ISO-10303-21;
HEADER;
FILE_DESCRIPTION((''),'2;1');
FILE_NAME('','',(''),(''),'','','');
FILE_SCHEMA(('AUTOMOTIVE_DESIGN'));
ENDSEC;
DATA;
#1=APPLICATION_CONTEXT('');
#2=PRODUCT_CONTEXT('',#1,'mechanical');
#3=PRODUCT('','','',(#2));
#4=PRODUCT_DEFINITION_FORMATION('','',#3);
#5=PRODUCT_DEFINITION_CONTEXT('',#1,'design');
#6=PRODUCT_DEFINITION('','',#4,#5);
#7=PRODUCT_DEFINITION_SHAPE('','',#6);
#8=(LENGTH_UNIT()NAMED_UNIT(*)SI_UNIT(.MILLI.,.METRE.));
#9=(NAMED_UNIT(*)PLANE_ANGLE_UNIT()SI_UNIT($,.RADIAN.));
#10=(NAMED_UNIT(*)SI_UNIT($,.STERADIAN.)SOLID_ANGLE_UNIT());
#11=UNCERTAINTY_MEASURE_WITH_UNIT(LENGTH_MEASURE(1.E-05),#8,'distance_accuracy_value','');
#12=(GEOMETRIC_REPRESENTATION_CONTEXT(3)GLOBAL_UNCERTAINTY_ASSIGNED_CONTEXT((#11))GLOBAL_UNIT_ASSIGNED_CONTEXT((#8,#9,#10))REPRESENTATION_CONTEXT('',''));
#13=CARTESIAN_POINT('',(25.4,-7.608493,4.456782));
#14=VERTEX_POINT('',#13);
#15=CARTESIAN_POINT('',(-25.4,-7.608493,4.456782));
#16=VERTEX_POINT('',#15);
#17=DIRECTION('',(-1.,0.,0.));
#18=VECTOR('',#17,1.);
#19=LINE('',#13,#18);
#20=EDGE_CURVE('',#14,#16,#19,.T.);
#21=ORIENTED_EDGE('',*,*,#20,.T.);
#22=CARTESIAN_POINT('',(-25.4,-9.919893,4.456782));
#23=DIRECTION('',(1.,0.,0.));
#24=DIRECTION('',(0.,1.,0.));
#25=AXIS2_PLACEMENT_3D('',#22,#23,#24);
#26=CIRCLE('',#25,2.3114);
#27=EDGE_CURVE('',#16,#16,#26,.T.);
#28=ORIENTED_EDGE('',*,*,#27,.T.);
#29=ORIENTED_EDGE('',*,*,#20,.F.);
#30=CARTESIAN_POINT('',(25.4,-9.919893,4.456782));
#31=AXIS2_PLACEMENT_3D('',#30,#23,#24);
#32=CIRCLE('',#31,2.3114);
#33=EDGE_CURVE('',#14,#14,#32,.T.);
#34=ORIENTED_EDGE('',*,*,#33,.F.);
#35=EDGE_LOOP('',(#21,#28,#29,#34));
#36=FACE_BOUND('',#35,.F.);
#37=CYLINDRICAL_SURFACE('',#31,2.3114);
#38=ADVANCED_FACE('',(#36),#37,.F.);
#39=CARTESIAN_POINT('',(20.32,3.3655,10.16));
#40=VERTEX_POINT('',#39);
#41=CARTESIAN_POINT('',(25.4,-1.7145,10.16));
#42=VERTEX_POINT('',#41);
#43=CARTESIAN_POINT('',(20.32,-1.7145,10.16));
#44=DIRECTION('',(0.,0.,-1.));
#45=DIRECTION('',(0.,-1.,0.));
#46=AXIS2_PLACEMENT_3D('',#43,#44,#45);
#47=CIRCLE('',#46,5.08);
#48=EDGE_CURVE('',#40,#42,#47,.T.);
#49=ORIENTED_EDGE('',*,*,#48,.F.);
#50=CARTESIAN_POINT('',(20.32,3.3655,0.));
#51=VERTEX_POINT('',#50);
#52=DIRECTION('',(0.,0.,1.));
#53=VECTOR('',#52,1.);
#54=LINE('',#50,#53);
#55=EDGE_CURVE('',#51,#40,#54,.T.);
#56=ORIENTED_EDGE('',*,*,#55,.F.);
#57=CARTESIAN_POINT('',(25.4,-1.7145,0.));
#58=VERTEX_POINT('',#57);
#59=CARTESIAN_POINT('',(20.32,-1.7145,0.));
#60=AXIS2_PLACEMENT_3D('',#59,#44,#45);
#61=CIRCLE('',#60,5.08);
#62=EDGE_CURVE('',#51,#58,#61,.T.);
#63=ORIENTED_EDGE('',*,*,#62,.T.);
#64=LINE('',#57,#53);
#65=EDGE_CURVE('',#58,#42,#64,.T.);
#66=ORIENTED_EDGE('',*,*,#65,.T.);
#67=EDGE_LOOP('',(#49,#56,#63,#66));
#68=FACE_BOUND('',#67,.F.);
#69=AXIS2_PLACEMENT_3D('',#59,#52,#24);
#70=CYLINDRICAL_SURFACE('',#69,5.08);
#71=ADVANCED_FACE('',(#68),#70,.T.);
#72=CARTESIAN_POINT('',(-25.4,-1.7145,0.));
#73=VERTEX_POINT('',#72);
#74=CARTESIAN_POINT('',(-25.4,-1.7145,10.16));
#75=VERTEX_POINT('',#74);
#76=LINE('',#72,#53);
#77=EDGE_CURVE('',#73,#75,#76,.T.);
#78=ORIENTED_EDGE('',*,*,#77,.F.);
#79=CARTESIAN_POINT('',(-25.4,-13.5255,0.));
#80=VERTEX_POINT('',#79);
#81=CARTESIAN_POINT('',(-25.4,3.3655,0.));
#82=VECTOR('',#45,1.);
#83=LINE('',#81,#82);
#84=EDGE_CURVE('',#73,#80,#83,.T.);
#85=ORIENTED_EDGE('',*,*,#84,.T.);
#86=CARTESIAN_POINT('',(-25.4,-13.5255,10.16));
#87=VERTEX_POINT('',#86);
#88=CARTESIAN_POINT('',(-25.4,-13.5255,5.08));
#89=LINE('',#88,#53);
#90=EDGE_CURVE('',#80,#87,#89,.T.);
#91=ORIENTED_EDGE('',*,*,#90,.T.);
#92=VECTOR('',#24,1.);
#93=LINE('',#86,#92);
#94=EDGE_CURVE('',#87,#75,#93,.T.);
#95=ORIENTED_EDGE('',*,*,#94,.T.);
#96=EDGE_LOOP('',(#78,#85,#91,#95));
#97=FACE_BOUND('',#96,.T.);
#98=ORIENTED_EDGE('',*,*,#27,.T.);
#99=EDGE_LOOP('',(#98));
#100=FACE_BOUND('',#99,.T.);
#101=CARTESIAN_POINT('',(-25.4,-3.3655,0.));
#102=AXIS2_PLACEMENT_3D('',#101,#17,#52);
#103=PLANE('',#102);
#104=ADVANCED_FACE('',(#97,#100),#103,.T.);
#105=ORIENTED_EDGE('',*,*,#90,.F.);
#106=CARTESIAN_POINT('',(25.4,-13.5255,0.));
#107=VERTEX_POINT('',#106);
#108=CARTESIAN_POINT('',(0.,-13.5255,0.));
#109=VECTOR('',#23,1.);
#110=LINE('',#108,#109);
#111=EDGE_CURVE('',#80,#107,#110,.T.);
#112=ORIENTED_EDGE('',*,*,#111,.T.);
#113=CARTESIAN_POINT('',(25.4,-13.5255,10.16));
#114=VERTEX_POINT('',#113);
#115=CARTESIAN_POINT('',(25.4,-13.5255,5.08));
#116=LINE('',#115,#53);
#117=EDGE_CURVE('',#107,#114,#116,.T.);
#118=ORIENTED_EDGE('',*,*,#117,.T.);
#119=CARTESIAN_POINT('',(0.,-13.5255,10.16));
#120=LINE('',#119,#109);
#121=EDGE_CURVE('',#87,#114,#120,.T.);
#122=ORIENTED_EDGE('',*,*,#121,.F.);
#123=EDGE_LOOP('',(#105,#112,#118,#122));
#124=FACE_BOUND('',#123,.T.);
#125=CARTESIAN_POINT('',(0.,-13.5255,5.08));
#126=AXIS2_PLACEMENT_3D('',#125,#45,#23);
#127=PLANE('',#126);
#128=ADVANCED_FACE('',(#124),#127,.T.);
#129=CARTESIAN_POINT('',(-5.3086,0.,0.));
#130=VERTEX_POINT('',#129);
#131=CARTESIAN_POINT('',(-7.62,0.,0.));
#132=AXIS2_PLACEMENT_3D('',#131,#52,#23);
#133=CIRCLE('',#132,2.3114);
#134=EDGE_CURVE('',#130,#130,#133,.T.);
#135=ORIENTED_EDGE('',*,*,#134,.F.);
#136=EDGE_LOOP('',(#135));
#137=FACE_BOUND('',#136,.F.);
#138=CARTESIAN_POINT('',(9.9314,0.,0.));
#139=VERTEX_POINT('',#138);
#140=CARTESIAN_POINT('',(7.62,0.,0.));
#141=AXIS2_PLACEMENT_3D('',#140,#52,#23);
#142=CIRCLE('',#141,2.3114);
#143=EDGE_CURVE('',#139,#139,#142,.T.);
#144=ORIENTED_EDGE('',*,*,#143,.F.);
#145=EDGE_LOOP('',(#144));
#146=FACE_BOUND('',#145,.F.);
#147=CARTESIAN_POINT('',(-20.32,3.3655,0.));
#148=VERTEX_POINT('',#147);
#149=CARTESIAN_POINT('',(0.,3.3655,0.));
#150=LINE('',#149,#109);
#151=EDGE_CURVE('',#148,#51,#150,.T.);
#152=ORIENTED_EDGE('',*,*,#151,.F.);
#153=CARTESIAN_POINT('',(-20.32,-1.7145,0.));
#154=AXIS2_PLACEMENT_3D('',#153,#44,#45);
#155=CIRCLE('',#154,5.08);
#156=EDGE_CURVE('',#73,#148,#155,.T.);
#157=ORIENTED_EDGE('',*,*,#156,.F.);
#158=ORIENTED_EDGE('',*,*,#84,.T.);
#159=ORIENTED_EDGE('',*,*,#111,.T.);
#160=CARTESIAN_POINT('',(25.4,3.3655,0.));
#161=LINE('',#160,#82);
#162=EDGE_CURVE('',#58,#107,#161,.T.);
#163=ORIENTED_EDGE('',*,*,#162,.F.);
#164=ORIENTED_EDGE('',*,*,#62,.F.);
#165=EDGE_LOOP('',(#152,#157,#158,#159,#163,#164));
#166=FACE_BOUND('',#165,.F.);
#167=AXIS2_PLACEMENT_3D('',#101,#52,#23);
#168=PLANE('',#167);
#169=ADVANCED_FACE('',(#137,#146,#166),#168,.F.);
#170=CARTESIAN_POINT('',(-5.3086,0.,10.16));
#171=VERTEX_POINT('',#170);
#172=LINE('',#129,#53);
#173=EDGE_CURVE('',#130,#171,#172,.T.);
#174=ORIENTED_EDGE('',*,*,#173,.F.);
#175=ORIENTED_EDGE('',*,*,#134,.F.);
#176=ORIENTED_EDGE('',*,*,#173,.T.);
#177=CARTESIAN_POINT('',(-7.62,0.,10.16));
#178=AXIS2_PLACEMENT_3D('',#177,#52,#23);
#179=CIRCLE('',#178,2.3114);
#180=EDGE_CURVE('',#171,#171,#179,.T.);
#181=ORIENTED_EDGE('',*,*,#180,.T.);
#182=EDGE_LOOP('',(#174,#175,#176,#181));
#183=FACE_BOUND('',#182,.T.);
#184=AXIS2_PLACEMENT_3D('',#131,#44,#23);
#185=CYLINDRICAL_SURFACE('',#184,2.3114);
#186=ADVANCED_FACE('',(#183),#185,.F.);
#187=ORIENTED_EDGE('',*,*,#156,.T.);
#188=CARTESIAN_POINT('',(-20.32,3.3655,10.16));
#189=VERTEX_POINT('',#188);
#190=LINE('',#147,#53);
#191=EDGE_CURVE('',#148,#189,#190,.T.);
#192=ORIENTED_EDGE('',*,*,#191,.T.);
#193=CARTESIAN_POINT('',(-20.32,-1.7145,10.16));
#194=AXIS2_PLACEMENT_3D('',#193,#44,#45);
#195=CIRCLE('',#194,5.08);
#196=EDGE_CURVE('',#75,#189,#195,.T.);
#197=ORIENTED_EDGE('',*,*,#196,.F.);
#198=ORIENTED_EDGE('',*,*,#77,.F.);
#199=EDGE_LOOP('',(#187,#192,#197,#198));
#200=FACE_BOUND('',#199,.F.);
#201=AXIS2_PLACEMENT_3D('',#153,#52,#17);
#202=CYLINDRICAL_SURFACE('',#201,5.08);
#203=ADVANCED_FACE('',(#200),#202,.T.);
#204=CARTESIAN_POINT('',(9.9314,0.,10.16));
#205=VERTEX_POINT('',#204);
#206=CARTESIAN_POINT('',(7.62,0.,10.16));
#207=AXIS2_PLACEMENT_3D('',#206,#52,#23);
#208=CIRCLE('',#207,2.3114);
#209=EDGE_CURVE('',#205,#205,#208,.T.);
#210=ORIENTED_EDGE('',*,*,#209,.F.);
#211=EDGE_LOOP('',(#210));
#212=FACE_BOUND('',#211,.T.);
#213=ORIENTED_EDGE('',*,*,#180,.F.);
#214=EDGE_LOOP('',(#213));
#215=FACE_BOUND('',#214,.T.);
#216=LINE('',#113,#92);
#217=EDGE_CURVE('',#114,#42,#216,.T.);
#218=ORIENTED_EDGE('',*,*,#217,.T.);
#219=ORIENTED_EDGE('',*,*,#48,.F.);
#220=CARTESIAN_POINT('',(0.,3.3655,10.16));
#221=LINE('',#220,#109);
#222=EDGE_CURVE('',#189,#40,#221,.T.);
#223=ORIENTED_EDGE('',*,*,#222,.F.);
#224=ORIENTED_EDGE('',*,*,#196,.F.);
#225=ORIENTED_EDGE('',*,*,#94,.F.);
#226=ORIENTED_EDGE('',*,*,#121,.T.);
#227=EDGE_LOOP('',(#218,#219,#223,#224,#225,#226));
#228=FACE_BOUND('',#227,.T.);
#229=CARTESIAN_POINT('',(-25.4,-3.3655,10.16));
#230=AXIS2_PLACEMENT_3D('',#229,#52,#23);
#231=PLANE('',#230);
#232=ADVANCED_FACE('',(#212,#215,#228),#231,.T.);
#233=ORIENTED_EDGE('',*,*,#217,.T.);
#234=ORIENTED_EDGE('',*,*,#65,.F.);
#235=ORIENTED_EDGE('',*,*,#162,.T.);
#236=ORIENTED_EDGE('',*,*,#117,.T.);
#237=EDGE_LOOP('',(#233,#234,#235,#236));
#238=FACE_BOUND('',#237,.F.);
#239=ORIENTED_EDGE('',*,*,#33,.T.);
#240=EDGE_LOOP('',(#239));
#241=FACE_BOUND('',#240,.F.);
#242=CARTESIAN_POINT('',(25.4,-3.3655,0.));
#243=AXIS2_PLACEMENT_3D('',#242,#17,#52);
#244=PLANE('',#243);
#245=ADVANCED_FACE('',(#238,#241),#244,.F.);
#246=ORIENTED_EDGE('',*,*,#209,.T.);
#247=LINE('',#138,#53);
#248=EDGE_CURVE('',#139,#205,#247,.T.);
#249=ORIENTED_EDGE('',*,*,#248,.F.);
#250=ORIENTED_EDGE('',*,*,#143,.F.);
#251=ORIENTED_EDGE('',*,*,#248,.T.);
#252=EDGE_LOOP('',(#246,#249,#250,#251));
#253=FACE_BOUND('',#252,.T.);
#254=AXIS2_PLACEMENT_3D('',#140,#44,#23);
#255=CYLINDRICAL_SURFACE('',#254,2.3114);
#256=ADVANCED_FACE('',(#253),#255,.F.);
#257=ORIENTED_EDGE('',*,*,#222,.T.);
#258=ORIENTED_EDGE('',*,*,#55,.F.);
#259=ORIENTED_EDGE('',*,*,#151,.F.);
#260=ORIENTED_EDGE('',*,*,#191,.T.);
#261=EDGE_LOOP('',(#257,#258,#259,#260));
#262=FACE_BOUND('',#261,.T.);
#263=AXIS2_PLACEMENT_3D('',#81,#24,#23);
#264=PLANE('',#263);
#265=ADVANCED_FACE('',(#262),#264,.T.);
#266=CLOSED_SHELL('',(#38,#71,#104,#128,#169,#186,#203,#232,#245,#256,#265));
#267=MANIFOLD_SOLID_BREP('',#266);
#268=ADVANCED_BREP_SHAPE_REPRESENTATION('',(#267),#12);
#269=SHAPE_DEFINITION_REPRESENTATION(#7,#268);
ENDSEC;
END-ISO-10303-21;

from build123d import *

# Parameters (mm, degrees)
F0_W     = 50.8
F0_H     = 6.731
F0_R     = 2.3114
F1_DEPTH = 10.16
F3_W     = 50.8
F3_H     = 10.16
F4_DEPTH = 10.16
F5_R     = 2.3114
F6_DEPTH = 70.36535
F7_R     = 5.08


with BuildPart() as f1:
    # F0 (on Top) → F1 (new body)
    with BuildSketch(Plane.XY):
        Rectangle(F0_W, F0_H)
        with Locations((-7.62, 0)):
            Circle(F0_R, mode=Mode.SUBTRACT)
        with Locations((7.62, 0)):
            Circle(F0_R, mode=Mode.SUBTRACT)
    extrude(amount=F1_DEPTH)

    # F3 (on face) → F4 (join)
    with BuildSketch(Plane.XZ.offset(3.3655)):
        with Locations((0, 5.08)):
            Rectangle(F3_W, F3_H)
    extrude(amount=F4_DEPTH)

    # F5 (on face) → F6 (cut)
    with BuildSketch(Plane.YZ.offset(25.4)):
        with Locations((-9.919893, 4.456782)):
            Circle(F5_R)
    extrude(amount=-F6_DEPTH, mode=Mode.SUBTRACT)

    # F7
    f7_edges = [f1.edges().sort_by_distance(p)[0] for p in [
        (-25.4, 3.3655, 5.08),
        (25.4, 3.3655, 5.08),
    ]]
    fillet(f7_edges, radius=F7_R)


solid = f1.part
